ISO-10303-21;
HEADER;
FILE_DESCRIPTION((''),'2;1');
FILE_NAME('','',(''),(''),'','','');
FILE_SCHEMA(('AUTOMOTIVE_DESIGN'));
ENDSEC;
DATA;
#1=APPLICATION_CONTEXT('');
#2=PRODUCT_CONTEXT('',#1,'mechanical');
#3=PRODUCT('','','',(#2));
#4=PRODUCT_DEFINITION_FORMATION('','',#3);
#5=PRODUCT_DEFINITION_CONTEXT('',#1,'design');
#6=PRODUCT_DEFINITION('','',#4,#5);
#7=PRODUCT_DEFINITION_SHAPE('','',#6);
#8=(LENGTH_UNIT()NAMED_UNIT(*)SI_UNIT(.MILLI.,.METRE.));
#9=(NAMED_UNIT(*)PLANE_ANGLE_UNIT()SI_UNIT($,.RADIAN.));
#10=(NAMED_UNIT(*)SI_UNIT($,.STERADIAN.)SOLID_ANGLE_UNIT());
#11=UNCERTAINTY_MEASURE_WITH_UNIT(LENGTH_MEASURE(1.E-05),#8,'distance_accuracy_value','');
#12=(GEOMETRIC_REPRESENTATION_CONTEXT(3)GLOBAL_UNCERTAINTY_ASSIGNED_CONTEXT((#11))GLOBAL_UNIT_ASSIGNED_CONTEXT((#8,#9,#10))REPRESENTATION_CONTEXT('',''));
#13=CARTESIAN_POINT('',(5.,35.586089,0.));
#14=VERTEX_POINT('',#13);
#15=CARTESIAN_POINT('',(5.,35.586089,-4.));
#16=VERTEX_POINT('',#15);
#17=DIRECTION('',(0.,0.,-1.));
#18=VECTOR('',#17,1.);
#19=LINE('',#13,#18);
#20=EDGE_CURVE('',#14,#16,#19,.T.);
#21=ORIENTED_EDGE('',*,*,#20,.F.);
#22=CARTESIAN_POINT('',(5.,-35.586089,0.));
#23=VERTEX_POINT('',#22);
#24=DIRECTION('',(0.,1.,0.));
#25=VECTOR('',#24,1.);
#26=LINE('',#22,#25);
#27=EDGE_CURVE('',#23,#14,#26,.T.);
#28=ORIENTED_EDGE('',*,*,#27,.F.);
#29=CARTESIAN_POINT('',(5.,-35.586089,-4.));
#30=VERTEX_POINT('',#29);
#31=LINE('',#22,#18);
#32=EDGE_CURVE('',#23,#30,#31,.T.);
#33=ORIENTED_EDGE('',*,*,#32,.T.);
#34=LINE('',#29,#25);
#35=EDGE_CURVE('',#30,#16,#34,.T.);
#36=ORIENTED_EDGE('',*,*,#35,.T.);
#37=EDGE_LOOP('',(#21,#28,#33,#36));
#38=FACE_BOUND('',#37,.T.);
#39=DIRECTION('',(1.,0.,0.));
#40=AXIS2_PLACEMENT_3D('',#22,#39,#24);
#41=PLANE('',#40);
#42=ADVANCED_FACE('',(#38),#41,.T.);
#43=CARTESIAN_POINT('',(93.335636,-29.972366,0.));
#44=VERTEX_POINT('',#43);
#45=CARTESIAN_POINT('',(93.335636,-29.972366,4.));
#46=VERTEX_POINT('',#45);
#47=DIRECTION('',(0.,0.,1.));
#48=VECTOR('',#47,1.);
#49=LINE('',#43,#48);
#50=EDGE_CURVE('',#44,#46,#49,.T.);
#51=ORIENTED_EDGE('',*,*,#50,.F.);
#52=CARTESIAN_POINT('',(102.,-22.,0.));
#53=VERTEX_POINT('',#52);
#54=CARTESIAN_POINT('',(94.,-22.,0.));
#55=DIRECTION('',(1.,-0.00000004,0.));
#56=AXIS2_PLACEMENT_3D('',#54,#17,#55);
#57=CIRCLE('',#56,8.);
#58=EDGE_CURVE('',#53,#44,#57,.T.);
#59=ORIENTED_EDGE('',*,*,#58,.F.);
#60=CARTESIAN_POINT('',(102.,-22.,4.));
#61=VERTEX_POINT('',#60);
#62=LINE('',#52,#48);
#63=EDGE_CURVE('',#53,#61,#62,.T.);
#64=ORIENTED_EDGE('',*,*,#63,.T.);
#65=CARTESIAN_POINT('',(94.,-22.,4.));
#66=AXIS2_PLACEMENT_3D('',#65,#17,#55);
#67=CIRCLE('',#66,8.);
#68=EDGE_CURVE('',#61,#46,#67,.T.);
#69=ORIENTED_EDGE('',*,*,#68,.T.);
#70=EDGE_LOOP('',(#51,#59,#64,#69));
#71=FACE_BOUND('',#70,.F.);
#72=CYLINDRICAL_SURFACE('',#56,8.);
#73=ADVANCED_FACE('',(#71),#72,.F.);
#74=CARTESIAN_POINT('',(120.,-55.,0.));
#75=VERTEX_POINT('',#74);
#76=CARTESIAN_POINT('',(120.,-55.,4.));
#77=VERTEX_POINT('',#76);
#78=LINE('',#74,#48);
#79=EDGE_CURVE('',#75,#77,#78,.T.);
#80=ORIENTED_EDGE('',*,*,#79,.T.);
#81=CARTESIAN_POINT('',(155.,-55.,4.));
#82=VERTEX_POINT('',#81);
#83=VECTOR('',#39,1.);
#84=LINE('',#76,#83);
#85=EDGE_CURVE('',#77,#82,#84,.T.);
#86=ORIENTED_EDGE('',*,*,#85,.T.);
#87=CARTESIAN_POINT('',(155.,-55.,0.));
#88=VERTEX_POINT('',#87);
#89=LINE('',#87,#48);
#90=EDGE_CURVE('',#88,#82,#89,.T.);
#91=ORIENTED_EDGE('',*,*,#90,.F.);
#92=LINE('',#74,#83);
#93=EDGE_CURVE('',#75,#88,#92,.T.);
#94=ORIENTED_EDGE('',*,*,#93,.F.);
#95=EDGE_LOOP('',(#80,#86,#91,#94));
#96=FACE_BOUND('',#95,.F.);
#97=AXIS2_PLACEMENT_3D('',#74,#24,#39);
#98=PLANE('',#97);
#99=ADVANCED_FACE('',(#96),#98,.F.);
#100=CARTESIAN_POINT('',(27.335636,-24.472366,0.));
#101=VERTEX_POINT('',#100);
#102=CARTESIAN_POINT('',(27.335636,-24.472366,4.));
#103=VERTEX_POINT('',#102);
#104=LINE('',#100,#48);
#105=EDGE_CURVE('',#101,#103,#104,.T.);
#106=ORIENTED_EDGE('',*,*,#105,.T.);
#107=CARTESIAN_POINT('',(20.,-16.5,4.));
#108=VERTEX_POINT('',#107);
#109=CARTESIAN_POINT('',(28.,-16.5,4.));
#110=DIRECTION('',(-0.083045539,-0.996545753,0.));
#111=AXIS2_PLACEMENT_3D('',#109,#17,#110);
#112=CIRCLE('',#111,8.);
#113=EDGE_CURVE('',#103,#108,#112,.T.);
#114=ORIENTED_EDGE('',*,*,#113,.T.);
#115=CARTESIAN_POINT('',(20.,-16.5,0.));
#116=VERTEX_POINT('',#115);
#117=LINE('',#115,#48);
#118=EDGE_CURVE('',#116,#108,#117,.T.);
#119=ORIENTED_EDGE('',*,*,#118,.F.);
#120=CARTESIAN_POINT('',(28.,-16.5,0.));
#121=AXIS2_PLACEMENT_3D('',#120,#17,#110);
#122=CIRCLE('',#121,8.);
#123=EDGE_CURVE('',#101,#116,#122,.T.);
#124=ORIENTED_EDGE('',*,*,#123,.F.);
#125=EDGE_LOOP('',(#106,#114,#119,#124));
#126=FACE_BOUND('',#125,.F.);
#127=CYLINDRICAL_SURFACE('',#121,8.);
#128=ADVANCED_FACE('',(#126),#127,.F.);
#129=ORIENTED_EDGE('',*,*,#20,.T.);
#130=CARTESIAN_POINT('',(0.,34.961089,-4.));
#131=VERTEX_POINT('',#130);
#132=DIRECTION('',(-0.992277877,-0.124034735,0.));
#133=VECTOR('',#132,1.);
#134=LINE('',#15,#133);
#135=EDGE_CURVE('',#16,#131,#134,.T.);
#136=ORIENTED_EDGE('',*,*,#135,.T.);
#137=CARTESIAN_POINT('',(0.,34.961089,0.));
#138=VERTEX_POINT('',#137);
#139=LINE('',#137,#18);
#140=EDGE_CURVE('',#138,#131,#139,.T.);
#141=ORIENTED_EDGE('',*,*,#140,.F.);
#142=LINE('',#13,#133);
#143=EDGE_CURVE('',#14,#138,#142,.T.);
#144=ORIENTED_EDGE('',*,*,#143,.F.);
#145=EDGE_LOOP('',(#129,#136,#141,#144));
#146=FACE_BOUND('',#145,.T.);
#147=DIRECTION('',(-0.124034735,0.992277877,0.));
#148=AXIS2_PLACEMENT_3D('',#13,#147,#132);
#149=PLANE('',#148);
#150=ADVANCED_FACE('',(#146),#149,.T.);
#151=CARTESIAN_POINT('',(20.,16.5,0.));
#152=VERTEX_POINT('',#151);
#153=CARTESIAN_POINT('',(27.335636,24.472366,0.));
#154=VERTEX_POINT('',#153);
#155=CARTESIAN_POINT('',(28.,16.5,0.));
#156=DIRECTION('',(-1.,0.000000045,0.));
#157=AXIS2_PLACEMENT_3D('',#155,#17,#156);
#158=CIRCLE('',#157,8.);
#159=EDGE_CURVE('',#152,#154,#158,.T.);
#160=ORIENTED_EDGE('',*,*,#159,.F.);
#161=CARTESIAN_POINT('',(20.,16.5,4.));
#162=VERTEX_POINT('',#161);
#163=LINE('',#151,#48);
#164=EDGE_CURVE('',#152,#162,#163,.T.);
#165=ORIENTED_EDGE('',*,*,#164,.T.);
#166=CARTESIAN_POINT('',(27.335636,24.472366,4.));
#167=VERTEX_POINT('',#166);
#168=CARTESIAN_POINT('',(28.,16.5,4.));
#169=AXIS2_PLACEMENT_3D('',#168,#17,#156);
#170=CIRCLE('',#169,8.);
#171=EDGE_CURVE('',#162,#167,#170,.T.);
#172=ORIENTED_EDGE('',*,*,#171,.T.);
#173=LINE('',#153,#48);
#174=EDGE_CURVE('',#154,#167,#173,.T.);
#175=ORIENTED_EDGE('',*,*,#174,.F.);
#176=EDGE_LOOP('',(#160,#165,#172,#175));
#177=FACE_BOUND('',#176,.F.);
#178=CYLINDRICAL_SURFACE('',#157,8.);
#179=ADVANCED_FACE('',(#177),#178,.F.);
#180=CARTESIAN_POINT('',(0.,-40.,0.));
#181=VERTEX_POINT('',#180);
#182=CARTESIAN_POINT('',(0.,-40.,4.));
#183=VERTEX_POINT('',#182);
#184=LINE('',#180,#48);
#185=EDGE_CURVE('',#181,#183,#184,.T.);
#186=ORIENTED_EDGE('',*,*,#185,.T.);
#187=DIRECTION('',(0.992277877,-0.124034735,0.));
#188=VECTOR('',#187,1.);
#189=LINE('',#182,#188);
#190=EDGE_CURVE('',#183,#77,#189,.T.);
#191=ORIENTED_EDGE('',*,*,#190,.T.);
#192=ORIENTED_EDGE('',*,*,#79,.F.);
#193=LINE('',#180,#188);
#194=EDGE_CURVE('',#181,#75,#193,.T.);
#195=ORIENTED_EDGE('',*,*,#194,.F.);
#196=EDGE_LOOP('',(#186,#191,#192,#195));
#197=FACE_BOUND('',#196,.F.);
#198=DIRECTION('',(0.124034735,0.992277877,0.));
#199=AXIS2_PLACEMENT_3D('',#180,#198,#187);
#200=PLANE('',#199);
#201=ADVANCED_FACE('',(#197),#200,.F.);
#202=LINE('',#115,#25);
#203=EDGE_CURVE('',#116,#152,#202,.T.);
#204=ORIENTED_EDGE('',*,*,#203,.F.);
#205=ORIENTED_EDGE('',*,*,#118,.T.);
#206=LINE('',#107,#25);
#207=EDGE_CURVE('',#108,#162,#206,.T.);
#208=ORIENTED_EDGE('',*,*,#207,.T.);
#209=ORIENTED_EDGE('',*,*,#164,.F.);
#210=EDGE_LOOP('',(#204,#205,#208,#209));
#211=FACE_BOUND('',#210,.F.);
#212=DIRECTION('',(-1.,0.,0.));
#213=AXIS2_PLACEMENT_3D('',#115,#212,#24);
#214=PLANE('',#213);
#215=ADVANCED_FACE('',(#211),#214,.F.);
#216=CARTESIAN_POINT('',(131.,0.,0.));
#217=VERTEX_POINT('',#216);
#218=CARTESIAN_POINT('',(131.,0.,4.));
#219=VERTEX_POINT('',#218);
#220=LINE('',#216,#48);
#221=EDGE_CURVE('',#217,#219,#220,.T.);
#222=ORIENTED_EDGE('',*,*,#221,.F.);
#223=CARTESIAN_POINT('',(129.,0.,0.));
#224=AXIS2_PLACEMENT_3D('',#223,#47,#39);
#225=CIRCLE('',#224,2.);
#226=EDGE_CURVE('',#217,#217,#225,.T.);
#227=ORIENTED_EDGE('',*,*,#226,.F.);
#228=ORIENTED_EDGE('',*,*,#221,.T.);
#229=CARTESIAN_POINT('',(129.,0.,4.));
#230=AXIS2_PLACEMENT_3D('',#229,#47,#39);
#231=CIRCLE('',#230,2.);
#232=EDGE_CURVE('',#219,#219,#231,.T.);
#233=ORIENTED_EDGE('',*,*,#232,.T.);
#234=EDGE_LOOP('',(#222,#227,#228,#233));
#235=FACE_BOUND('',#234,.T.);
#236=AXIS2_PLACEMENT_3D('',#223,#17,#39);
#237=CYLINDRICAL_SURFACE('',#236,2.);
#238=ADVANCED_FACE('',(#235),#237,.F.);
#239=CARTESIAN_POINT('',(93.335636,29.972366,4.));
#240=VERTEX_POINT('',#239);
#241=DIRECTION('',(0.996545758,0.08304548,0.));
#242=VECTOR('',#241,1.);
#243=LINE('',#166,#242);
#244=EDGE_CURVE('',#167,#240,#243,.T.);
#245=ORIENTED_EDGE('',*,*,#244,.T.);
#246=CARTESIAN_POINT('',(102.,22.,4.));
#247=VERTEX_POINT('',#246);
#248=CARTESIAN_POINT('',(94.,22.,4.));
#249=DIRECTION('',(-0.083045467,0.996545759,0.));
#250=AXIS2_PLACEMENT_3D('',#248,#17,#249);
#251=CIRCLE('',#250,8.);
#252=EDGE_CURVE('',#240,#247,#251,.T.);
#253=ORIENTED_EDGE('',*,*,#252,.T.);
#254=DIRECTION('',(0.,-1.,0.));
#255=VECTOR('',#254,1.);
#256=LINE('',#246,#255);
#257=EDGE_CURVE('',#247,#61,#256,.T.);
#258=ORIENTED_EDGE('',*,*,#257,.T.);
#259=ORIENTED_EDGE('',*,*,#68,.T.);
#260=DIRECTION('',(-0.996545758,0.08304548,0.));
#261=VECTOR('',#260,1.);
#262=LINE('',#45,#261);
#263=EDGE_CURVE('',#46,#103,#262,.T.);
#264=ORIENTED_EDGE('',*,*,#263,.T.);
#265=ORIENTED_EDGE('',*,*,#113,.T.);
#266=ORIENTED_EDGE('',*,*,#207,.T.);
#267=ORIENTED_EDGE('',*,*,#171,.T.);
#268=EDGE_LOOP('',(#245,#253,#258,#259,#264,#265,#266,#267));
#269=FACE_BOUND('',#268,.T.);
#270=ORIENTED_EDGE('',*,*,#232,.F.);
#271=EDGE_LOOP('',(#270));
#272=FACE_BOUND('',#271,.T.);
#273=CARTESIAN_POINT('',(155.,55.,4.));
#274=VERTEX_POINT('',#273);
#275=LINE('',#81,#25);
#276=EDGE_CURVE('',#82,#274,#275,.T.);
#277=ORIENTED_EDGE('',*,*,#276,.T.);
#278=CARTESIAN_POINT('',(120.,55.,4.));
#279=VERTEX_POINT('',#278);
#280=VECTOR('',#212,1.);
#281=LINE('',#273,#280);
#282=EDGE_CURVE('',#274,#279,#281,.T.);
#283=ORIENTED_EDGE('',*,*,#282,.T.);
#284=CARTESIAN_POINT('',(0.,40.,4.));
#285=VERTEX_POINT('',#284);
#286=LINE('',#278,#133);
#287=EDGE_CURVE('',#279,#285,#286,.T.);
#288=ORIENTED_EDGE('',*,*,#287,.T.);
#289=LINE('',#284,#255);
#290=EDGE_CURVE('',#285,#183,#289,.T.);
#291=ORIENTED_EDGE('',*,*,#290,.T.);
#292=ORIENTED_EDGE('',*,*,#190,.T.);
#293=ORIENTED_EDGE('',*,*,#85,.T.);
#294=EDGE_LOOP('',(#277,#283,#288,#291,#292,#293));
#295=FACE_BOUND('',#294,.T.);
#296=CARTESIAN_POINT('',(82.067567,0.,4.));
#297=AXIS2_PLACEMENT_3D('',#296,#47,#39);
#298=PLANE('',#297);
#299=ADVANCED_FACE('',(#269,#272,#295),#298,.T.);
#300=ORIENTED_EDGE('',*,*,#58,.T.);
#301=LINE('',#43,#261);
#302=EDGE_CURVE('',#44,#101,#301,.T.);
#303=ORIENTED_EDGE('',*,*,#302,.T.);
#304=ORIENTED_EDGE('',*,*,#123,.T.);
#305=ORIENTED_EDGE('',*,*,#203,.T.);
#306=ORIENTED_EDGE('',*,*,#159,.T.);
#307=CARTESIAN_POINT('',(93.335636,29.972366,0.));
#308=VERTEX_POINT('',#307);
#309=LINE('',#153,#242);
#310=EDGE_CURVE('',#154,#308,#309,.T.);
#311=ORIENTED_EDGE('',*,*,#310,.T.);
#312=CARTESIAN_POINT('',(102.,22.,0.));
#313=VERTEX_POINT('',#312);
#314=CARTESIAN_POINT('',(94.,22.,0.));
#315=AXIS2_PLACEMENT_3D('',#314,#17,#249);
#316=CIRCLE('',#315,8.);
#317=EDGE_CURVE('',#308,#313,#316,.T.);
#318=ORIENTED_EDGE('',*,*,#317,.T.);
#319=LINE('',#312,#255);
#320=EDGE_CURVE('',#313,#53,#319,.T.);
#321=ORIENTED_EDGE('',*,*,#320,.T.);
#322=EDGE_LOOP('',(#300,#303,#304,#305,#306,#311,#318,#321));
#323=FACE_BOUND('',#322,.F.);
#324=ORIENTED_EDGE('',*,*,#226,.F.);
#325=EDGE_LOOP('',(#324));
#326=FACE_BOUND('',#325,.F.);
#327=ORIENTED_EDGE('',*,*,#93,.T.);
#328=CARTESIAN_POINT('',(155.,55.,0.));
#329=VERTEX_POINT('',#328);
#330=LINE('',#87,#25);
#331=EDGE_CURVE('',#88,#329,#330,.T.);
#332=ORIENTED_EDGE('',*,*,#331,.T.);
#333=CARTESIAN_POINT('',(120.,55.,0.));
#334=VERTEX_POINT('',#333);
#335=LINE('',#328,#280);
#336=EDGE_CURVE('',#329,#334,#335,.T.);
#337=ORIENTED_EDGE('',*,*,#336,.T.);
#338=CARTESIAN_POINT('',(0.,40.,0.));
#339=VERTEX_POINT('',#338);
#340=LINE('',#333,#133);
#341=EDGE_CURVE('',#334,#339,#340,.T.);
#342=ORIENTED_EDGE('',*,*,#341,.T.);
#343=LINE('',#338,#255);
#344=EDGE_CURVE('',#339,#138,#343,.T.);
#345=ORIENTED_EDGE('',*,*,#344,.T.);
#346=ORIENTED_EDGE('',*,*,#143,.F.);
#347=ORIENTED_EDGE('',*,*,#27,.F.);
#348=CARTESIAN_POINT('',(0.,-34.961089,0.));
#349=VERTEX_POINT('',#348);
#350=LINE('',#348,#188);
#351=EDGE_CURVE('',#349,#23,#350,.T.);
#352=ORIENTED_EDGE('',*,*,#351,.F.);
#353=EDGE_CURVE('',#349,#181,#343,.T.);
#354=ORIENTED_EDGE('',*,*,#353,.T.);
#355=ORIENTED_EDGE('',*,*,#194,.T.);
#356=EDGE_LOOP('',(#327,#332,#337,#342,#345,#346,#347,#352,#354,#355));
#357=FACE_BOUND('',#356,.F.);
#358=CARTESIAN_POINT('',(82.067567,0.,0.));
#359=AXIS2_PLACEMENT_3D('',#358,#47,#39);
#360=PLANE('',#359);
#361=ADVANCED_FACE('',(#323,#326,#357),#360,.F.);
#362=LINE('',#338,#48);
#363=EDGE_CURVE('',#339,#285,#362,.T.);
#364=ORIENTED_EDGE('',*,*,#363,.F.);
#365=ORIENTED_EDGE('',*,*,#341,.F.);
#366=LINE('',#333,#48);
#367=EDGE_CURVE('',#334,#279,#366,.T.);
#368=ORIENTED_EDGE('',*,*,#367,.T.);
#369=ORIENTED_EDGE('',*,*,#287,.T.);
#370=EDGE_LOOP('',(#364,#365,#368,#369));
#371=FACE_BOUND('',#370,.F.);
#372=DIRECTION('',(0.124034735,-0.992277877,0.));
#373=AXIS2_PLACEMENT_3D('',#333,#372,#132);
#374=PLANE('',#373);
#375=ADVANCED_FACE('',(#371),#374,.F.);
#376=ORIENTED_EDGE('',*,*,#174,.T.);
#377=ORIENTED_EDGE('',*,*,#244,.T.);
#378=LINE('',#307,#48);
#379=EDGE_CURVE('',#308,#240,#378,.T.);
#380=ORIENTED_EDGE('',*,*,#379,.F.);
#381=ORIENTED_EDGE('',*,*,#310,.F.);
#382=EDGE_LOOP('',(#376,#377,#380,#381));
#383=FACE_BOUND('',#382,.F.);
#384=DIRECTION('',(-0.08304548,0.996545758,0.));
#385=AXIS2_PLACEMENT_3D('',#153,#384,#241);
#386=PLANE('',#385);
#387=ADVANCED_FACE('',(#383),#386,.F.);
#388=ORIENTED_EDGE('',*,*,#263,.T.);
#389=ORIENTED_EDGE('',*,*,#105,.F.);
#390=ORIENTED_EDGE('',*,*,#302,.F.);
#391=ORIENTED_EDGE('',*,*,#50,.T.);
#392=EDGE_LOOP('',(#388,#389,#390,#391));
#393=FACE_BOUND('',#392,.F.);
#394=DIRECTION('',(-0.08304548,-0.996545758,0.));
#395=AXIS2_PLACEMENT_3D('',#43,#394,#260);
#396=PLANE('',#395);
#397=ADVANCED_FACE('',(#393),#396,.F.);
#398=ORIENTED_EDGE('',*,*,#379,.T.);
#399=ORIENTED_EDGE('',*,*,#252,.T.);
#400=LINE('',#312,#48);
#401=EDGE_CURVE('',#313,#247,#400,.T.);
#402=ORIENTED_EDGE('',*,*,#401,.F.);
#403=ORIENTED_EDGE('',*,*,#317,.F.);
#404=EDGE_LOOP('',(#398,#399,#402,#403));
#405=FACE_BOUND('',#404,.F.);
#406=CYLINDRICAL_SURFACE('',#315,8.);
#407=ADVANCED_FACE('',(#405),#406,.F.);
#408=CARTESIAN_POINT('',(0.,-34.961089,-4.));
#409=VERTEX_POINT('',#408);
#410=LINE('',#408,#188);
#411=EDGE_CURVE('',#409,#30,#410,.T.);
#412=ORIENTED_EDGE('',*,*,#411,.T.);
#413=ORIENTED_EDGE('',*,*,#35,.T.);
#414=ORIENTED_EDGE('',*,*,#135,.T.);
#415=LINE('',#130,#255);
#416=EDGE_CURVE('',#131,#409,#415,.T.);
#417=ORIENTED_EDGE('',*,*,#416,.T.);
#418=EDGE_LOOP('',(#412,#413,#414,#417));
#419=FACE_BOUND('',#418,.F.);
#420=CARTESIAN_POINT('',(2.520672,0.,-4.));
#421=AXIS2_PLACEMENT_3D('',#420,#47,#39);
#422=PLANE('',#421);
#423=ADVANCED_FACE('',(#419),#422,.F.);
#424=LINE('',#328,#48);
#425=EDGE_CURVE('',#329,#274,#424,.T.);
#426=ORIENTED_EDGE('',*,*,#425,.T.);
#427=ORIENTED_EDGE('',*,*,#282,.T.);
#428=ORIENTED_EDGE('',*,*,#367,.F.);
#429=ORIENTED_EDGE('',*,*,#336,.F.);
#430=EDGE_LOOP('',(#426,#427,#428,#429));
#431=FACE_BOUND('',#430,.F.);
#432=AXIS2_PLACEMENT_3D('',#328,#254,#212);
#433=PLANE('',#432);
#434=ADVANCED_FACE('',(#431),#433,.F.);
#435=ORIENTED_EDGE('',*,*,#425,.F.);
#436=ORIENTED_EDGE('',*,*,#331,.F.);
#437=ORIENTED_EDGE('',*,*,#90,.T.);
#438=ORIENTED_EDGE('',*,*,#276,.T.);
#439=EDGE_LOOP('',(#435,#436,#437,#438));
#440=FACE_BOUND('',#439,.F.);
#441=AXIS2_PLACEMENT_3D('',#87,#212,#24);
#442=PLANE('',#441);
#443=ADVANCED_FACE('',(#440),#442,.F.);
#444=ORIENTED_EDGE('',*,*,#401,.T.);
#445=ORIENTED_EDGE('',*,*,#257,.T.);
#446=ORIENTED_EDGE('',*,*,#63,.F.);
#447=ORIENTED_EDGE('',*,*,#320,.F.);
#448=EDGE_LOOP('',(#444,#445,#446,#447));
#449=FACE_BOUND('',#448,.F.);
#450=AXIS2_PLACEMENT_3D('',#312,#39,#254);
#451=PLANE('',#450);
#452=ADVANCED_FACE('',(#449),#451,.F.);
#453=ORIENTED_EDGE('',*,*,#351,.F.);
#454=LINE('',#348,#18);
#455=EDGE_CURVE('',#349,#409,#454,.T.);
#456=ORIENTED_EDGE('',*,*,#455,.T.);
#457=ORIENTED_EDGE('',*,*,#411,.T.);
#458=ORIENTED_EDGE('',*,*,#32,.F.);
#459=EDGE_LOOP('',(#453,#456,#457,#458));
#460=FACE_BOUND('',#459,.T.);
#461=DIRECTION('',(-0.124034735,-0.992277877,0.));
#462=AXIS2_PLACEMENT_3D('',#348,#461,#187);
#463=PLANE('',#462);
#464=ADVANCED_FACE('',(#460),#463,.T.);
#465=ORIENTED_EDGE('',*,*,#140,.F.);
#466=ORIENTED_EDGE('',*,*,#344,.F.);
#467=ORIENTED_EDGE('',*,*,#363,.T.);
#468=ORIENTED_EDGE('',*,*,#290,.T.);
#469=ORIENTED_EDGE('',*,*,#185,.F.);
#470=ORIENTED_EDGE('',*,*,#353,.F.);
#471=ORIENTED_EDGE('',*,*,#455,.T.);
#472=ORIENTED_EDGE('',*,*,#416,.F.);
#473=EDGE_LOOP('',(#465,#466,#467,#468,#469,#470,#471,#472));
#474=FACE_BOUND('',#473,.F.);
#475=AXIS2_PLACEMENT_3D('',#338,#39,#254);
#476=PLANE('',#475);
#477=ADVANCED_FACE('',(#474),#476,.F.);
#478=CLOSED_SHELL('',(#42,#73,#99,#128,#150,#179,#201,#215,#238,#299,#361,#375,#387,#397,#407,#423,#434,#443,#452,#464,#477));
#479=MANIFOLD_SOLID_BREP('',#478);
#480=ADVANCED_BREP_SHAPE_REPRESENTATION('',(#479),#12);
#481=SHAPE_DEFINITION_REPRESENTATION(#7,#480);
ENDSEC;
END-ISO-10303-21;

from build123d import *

# Parameters (mm, degrees)
F0_R     = 2
F1_DEPTH = 4
F3_DEPTH = 4


with BuildPart() as f1:
    # F0 (on Top) → F1 (new body)
    with BuildSketch(Plane.XY):
        Polygon((120, 55), (0, 40), (0, -40), (120, -55), (155, -55), (155, 55), align=None)
        with BuildLine():
            Line((20, -16.5), (20, 16.5))
            ThreePointArc((20, 16.5), (22.112942, 21.916876), (27.335636, 24.472366))
            Line((27.335636, 24.472366), (93.335636, 29.972366))
            ThreePointArc((93.335636, 29.972366), (99.416876, 27.887058), (102, 22))
            Line((102, 22), (102, -22))
            ThreePointArc((102, -22), (99.416876, -27.887058), (93.335636, -29.972366))
            Line((93.335636, -29.972366), (27.335636, -24.472366))
            ThreePointArc((27.335636, -24.472366), (22.112942, -21.916876), (20, -16.5))
        make_face(mode=Mode.SUBTRACT)
        with Locations((129, 0)):
            Circle(F0_R, mode=Mode.SUBTRACT)
    extrude(amount=F1_DEPTH)

    # F2 (on face) → F3 (join)
    with BuildSketch(Plane.XY):
        Polygon((0, 34.961089), (0, -34.961089), (5, -35.586089), (5, 35.586089), align=None)
    extrude(amount=-F3_DEPTH)


solid = f1.part
